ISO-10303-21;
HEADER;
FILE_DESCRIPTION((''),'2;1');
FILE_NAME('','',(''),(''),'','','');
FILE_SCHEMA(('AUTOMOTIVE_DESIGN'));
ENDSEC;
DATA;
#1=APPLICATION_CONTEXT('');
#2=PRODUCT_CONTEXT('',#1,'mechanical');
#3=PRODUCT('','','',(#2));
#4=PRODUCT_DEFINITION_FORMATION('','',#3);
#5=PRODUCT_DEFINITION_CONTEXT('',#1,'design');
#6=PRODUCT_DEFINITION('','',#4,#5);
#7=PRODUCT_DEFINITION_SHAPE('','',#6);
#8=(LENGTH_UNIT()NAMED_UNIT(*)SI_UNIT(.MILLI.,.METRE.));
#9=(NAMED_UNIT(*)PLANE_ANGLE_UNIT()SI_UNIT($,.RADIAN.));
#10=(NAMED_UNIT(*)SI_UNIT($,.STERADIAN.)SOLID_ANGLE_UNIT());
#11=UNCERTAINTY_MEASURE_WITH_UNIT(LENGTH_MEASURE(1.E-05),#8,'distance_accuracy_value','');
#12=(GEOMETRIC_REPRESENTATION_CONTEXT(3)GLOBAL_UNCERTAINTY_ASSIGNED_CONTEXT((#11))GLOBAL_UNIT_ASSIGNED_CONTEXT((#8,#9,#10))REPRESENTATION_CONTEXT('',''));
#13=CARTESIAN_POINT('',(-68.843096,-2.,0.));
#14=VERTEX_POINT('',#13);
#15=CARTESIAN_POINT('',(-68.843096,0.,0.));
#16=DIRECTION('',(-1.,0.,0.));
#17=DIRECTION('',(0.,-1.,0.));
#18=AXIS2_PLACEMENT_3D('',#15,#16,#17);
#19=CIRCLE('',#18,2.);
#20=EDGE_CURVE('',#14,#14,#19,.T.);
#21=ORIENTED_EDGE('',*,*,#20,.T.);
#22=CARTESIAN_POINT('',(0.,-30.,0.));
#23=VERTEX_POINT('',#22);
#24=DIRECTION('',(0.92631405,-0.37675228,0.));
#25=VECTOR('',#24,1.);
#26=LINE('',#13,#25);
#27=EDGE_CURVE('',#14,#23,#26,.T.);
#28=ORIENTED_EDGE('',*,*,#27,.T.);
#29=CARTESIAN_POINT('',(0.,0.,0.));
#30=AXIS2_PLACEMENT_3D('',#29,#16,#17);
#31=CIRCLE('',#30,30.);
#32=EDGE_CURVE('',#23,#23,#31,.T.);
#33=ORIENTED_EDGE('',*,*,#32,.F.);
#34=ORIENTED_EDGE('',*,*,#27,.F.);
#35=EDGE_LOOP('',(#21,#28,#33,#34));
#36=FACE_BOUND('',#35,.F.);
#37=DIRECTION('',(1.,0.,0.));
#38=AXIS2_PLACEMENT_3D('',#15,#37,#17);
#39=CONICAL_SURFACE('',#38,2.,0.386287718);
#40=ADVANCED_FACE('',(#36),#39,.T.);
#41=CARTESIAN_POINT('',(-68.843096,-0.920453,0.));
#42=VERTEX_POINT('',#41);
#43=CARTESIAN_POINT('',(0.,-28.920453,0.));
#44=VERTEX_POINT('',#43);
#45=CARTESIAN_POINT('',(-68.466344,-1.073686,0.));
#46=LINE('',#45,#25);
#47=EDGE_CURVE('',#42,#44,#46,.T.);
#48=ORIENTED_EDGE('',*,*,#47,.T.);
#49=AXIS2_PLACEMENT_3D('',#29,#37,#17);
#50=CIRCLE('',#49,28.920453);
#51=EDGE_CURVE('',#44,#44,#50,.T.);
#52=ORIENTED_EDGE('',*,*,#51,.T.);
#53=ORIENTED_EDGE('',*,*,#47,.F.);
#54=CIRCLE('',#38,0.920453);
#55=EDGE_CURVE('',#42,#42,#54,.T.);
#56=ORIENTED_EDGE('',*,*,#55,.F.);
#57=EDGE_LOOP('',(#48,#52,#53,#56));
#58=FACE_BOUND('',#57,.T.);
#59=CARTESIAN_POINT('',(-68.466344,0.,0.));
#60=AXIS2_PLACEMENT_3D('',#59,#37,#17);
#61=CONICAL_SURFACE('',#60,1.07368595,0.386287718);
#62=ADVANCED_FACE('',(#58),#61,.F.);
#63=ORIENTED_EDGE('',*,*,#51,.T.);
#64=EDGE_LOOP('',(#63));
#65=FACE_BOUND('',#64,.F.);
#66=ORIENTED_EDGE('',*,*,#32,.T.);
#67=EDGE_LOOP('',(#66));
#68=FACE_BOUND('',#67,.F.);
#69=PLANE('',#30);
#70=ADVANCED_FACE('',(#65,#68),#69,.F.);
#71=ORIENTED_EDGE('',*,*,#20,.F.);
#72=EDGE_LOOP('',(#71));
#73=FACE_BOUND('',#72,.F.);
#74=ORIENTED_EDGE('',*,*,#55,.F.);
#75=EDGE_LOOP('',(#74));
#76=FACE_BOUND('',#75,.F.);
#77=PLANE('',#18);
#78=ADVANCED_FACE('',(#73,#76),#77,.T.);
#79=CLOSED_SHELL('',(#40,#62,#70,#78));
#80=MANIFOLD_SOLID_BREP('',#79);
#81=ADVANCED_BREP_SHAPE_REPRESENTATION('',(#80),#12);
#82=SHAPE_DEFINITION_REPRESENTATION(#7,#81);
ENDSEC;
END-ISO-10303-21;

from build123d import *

# Parameters (mm, degrees)
F2_T = -1


with BuildPart() as f1:
    # F0 (on Top) → F1 (revolve)
    with BuildSketch(Plane.XY):
        Polygon((-68.843096, -2), (0, -30), (0, 0), (-68.843096, 0), align=None)
    revolve(axis=Axis((-34.421548, 0, 0), (-1, 0, 0)))

    # F2
    f2_openings = [f1.faces().sort_by_distance(p)[0] for p in [
        (-68.843096, 0, 0),
        (0, 0, 0),
    ]]
    offset(amount=F2_T, openings=f2_openings)


solid = f1.part
